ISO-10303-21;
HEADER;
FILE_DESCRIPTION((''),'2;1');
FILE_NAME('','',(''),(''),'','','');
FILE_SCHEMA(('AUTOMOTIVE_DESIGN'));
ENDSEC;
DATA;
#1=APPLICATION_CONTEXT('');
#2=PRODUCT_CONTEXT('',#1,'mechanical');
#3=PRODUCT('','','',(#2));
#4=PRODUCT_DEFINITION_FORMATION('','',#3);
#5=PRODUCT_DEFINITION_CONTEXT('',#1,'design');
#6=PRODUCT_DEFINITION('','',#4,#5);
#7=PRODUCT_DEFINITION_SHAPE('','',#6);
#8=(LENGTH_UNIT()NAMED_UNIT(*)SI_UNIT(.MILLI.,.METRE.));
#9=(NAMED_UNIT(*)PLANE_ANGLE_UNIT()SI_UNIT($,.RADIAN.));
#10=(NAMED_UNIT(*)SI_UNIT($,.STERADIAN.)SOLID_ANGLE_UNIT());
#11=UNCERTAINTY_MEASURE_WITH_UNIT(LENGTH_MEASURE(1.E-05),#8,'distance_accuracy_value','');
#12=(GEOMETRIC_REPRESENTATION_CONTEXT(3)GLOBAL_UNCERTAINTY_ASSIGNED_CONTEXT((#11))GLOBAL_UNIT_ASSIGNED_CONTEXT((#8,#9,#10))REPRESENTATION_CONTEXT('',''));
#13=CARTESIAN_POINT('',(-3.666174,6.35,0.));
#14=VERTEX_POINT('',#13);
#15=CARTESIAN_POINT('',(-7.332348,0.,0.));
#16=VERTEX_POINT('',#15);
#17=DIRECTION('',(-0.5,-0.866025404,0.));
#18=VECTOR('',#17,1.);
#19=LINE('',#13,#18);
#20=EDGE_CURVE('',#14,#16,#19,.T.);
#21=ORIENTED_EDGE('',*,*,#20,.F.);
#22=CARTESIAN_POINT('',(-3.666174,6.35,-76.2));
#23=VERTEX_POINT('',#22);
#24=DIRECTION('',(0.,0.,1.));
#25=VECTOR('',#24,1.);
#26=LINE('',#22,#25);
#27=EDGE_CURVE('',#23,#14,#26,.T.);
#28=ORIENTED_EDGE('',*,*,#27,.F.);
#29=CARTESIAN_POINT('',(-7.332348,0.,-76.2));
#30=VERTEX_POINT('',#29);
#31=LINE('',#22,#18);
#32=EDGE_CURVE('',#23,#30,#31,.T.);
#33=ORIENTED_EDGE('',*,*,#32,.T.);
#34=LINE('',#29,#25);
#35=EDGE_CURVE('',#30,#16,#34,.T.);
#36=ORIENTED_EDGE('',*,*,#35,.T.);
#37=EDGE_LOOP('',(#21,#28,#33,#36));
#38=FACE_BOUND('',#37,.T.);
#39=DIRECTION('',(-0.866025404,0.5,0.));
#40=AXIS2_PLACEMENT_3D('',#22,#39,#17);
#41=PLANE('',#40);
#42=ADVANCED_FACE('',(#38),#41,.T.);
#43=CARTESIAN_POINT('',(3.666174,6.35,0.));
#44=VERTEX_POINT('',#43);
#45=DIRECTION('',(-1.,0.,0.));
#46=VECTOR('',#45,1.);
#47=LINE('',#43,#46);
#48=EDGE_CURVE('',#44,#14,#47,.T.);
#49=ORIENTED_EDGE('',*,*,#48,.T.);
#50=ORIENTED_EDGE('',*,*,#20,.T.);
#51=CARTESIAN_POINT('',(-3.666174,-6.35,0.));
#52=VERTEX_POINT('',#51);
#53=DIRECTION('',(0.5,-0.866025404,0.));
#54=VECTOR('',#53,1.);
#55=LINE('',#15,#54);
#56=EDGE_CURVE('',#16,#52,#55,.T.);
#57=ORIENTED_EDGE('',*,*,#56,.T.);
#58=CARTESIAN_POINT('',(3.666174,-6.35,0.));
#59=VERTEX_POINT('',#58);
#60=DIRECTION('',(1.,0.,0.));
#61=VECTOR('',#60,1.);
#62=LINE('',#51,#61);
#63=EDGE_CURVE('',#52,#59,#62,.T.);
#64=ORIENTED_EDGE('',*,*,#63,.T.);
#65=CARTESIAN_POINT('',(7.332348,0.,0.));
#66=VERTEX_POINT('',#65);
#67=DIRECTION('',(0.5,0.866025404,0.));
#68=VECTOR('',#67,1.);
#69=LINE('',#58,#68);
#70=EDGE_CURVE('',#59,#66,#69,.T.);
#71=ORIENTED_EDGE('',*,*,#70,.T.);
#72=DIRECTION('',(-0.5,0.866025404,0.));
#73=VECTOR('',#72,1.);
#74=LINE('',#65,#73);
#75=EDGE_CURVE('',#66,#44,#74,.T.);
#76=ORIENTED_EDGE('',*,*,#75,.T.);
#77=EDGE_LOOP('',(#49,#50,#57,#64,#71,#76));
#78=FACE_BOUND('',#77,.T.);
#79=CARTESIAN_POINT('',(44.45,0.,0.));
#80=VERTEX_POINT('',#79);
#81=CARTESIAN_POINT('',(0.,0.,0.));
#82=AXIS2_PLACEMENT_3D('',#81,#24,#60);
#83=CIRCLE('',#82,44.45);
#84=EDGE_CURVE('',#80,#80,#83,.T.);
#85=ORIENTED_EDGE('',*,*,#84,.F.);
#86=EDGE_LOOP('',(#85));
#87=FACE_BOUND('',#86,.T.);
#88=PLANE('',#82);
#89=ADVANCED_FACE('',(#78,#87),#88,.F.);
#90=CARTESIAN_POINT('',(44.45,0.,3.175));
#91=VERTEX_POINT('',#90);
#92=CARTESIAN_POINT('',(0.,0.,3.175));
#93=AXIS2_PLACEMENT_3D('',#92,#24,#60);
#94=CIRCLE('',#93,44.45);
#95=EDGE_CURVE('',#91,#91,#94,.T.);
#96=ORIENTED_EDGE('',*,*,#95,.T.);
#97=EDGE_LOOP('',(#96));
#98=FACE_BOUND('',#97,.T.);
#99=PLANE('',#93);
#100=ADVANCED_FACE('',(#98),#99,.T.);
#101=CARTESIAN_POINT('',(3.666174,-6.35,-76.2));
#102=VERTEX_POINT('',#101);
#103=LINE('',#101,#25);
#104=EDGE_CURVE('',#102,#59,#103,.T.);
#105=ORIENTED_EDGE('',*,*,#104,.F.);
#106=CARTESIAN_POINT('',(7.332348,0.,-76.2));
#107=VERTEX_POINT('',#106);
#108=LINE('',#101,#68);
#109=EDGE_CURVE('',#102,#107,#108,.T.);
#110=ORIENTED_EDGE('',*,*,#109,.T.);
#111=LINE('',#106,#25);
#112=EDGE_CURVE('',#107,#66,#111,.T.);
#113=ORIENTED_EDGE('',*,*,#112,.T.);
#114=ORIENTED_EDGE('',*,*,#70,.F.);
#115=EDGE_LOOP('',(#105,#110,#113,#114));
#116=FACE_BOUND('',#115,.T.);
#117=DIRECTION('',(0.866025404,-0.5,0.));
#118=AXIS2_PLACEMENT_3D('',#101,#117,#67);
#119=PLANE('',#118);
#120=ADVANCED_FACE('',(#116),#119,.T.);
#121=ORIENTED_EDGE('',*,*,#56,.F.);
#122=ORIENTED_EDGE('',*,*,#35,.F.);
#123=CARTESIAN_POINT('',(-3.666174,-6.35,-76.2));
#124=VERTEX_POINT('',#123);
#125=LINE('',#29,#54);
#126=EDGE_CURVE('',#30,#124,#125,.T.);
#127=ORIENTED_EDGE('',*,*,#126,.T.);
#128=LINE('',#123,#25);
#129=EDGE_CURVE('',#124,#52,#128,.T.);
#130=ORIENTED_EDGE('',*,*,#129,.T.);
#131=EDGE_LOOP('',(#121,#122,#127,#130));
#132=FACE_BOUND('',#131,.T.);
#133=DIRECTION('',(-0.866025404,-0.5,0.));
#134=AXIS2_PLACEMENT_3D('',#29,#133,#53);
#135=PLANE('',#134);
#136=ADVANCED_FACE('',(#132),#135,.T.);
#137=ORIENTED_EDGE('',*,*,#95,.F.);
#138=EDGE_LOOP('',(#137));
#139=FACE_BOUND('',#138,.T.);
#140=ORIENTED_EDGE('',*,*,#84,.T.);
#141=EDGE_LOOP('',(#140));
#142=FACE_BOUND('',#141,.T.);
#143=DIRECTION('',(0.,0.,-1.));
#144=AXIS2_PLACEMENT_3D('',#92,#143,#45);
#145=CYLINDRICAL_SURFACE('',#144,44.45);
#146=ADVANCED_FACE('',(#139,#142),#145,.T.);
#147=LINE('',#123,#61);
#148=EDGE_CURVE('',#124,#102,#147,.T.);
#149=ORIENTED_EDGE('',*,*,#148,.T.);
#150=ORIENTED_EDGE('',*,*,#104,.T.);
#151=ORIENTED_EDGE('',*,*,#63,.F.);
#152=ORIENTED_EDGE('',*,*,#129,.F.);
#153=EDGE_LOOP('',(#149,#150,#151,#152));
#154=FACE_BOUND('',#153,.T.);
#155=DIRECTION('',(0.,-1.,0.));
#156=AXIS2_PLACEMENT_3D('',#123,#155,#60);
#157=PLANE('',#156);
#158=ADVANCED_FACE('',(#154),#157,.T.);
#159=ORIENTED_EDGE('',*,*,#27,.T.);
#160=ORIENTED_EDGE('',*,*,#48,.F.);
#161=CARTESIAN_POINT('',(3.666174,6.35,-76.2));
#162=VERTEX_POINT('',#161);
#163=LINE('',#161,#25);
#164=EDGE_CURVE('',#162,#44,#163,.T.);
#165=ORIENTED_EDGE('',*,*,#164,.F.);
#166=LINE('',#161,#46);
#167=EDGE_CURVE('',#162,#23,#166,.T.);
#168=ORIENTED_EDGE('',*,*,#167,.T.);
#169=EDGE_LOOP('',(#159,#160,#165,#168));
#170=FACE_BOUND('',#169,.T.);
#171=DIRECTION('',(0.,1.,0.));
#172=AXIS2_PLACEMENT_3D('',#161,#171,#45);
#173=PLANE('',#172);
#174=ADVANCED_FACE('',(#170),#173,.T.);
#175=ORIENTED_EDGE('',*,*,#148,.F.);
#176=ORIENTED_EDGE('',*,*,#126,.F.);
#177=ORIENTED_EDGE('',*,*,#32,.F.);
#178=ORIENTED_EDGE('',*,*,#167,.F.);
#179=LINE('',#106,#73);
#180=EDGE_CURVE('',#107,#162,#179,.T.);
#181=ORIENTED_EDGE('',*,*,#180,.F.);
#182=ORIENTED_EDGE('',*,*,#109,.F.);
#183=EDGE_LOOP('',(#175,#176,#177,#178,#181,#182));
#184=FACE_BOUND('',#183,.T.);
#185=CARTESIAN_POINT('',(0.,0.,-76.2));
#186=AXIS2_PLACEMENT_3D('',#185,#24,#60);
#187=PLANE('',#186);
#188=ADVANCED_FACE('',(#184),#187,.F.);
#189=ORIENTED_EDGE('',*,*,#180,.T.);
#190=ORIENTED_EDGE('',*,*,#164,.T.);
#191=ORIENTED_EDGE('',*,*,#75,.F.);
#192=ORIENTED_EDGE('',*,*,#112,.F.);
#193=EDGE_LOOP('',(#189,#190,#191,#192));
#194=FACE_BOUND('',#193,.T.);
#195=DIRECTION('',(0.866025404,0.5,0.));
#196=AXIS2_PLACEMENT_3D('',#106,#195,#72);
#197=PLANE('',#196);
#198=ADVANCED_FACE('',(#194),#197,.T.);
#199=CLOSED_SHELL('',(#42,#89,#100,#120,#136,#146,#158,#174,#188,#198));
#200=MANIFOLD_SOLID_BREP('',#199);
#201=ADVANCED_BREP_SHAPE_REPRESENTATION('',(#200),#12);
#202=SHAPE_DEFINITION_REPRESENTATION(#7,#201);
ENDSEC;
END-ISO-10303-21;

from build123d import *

# Parameters (mm, degrees)
BOSS_EXTRUDE1_DEPTH = 76.2
SKETCH2_R           = 44.45
BOSS_EXTRUDE2_DEPTH = 3.175


with BuildPart() as part:
    # Sketch1 → Boss-Extrude1 (new body)
    with BuildSketch(Plane.XY):
        Polygon((7.332348419, 0), (3.666174209, 6.35), (-3.666174209, 6.35), (-7.332348419, 0), (-3.666174209, -6.35), (3.666174209, -6.35), align=None)
    extrude(amount=-BOSS_EXTRUDE1_DEPTH)

    # Sketch2 → Boss-Extrude2 (add)
    with BuildSketch(Plane.XY):
        Circle(SKETCH2_R)
    extrude(amount=BOSS_EXTRUDE2_DEPTH)


solid = part.part
